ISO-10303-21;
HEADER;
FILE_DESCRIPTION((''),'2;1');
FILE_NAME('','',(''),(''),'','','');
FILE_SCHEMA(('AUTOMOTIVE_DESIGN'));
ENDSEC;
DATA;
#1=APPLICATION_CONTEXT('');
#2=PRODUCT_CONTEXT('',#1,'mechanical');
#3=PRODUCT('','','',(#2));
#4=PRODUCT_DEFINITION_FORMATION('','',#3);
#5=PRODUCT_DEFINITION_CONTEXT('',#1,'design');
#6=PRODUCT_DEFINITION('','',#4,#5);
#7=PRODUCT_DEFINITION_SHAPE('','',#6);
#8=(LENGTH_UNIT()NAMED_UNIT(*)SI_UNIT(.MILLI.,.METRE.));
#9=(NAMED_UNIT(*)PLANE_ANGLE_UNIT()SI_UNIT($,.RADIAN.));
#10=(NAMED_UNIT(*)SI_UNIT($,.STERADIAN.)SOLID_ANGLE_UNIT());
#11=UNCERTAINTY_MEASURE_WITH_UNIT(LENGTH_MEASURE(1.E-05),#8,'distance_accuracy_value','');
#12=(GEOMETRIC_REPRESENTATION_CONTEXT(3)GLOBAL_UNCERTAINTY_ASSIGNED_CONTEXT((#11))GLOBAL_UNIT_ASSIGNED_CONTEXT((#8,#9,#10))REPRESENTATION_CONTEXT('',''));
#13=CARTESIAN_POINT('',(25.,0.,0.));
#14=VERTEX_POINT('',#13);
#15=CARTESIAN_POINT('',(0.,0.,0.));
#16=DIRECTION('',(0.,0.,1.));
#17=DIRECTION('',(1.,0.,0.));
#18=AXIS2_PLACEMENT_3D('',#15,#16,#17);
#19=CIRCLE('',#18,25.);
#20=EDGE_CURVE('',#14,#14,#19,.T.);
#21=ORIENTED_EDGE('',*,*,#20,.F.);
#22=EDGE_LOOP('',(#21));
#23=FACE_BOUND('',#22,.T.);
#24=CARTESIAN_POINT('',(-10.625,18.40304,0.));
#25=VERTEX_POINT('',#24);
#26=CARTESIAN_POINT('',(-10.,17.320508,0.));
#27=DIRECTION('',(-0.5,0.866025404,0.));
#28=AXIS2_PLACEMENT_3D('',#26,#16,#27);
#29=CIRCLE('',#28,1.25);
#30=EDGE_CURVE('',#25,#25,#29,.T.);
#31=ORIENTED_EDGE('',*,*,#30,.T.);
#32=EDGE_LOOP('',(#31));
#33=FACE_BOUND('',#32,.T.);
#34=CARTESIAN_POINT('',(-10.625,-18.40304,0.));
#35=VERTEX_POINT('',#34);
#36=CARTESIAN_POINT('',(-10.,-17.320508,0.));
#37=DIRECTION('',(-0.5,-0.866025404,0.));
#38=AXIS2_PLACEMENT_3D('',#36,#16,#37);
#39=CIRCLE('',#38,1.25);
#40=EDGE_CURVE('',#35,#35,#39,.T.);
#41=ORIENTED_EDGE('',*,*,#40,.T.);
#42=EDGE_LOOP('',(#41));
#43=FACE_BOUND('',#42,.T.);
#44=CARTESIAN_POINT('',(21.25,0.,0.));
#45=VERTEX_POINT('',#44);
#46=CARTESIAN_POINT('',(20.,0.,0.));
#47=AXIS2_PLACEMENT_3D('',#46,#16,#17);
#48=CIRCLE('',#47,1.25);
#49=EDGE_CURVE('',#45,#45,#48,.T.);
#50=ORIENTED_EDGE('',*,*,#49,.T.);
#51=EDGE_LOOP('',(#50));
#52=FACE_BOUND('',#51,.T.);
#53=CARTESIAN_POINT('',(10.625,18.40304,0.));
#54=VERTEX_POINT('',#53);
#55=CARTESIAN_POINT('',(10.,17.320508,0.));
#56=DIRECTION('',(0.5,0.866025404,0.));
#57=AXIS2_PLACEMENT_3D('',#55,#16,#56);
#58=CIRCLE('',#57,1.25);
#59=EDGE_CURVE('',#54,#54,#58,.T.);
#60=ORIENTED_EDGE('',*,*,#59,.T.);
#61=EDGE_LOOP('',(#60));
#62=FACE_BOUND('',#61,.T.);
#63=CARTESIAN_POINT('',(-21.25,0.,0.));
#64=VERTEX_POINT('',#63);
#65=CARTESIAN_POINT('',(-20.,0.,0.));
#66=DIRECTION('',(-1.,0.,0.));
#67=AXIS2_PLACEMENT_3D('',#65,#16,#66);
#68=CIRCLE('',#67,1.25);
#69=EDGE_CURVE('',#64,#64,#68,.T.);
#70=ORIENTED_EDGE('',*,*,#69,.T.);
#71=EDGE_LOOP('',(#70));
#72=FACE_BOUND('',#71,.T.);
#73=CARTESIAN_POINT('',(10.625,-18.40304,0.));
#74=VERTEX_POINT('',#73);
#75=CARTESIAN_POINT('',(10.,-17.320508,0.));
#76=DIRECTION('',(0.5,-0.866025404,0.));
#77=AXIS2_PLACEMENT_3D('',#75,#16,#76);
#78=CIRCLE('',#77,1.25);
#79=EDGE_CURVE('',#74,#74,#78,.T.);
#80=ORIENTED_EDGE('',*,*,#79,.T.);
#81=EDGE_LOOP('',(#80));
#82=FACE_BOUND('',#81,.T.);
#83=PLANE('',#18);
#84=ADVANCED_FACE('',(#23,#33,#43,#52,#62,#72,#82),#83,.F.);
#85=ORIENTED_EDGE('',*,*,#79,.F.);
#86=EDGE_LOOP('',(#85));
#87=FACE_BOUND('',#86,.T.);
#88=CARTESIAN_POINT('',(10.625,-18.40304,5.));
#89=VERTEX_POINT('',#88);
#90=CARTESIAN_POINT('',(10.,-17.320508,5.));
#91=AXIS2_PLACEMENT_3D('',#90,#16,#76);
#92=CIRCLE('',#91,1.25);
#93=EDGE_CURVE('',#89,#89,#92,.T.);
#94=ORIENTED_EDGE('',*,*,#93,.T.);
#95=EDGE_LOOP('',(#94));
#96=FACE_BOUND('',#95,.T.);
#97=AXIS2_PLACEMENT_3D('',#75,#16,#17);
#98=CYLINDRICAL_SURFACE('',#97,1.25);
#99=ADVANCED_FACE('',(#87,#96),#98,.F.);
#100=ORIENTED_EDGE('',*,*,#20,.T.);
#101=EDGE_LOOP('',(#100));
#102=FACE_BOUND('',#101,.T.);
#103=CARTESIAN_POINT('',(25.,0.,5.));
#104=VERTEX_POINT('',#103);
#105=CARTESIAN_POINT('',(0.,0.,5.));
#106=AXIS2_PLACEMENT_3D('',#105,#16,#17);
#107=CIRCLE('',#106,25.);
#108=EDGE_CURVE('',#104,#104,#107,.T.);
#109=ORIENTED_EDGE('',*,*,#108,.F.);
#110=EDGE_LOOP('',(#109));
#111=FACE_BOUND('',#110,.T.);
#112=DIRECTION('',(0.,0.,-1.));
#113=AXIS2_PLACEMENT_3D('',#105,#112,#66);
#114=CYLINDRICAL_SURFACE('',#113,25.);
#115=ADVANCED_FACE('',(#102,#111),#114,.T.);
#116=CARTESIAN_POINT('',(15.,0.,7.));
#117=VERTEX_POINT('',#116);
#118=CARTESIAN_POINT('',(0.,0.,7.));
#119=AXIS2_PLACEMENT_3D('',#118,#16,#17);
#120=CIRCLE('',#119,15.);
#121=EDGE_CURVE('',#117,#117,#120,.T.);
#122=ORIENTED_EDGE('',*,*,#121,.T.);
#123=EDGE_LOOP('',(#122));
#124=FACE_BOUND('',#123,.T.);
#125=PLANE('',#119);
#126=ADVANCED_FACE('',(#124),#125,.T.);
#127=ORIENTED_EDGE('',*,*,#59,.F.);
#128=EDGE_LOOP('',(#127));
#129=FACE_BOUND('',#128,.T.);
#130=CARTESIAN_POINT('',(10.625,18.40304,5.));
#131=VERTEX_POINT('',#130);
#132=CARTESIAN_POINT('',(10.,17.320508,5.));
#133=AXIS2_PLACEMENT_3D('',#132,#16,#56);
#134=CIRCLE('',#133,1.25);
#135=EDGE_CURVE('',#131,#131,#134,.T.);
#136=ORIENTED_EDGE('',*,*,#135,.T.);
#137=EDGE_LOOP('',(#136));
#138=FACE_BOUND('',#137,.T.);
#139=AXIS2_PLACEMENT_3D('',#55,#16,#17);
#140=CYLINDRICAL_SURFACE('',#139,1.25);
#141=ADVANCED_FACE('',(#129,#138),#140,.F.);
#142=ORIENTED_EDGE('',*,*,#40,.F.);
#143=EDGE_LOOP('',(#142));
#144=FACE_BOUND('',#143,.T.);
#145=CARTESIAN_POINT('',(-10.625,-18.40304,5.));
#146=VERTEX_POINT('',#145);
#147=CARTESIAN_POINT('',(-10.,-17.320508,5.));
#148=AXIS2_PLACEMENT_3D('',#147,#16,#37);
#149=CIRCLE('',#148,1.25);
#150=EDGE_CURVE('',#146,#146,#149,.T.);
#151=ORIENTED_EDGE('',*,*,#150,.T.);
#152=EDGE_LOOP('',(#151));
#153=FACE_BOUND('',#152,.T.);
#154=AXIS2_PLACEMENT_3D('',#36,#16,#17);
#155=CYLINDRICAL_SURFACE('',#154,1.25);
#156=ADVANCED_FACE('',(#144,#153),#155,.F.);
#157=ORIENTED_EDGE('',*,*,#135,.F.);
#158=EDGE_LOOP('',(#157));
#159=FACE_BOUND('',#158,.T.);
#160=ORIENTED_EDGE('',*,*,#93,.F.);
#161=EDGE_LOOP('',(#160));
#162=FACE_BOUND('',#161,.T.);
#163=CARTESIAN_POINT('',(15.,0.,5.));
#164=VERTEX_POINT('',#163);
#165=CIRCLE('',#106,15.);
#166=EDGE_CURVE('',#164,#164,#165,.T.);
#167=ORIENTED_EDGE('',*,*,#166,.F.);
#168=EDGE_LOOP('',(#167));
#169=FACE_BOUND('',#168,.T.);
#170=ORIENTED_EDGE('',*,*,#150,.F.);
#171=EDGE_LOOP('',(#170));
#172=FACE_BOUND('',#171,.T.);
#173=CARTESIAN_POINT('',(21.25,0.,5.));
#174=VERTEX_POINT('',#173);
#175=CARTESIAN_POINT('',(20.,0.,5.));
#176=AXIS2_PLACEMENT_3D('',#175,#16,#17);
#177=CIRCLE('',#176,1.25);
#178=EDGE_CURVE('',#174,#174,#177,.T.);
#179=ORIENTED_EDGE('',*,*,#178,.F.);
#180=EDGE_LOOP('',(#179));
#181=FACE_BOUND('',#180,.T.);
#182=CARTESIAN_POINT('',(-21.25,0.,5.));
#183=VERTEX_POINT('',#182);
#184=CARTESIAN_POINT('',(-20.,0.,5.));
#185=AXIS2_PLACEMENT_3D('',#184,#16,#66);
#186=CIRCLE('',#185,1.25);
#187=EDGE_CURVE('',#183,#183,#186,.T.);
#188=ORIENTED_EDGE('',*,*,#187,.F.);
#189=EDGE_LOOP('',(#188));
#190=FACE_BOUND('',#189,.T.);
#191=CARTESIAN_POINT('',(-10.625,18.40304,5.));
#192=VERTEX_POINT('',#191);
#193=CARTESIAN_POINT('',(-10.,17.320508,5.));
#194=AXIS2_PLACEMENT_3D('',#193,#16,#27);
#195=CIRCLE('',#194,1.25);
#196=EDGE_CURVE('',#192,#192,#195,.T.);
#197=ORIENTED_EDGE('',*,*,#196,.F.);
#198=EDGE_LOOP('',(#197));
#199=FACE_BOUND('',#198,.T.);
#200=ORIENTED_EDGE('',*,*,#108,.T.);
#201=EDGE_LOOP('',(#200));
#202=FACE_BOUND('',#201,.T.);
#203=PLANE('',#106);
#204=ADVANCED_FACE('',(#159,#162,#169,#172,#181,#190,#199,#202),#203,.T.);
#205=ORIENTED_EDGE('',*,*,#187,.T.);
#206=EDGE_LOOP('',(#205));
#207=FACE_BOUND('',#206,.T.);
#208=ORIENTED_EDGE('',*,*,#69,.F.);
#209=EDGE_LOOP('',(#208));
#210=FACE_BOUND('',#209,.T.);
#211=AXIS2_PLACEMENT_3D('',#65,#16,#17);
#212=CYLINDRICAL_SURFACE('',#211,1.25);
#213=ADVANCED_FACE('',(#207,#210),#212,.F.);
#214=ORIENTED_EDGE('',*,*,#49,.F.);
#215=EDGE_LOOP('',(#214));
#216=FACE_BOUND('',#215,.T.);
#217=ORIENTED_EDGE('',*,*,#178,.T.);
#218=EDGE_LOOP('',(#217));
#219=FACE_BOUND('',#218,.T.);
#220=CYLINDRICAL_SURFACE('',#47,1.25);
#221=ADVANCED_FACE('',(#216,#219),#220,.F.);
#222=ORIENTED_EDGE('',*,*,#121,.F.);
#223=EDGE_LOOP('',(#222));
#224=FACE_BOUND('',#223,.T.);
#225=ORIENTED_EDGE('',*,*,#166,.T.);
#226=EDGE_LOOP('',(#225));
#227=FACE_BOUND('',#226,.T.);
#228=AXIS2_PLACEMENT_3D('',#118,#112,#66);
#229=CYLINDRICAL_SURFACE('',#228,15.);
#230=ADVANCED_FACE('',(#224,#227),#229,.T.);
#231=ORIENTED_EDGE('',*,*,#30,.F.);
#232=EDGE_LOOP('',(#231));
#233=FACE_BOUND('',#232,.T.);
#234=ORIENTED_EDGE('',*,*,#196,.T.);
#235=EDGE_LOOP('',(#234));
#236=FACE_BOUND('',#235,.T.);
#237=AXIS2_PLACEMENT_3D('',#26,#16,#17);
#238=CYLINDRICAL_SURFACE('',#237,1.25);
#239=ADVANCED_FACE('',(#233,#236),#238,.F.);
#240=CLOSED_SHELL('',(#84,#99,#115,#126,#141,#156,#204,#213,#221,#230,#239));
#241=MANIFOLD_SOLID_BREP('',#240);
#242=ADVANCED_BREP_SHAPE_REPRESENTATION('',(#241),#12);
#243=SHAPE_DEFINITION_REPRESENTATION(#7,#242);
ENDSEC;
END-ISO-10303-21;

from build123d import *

# Parameters (mm, degrees)
SK_DISC_R                 = 25
OUTPUT_DISC_DEPTH         = 5
SK_PILOT_R                = 15
PILOT_BOSS_DEPTH          = 2
SK_OUTHOLE_R              = 1.25
OUTPUT_TAPPED_HOLE_DEPTH  = 5
OUTPUT_HOLE_PATTERN_COUNT = 6


with BuildPart() as part:
    # SK_Disc → Output_Disc (new body)
    with BuildSketch(Plane.XY):
        Circle(SK_DISC_R)
    extrude(amount=OUTPUT_DISC_DEPTH)

    # SK_Pilot → Pilot_Boss (add)
    with BuildSketch(Plane.XY.offset(5)):
        Circle(SK_PILOT_R)
    extrude(amount=PILOT_BOSS_DEPTH)

    # SK_OutHole → Output_Tapped_Hole (cut)
    with BuildSketch(Plane.XY.offset(5)):
        with Locations((20, 0)):
            Circle(SK_OUTHOLE_R)
    output_tapped_hole = extrude(amount=-OUTPUT_TAPPED_HOLE_DEPTH, mode=Mode.SUBTRACT)

    # Output_Hole_Pattern: Output_Tapped_Hole ×6 about axis
    output_hole_pattern_axis = Axis((0, 0, -0.35), (0, 0, 1))
    for i in range(1, OUTPUT_HOLE_PATTERN_COUNT):
        add(output_tapped_hole.rotate(output_hole_pattern_axis, i * 360 / OUTPUT_HOLE_PATTERN_COUNT), mode=Mode.SUBTRACT)


solid = part.part
